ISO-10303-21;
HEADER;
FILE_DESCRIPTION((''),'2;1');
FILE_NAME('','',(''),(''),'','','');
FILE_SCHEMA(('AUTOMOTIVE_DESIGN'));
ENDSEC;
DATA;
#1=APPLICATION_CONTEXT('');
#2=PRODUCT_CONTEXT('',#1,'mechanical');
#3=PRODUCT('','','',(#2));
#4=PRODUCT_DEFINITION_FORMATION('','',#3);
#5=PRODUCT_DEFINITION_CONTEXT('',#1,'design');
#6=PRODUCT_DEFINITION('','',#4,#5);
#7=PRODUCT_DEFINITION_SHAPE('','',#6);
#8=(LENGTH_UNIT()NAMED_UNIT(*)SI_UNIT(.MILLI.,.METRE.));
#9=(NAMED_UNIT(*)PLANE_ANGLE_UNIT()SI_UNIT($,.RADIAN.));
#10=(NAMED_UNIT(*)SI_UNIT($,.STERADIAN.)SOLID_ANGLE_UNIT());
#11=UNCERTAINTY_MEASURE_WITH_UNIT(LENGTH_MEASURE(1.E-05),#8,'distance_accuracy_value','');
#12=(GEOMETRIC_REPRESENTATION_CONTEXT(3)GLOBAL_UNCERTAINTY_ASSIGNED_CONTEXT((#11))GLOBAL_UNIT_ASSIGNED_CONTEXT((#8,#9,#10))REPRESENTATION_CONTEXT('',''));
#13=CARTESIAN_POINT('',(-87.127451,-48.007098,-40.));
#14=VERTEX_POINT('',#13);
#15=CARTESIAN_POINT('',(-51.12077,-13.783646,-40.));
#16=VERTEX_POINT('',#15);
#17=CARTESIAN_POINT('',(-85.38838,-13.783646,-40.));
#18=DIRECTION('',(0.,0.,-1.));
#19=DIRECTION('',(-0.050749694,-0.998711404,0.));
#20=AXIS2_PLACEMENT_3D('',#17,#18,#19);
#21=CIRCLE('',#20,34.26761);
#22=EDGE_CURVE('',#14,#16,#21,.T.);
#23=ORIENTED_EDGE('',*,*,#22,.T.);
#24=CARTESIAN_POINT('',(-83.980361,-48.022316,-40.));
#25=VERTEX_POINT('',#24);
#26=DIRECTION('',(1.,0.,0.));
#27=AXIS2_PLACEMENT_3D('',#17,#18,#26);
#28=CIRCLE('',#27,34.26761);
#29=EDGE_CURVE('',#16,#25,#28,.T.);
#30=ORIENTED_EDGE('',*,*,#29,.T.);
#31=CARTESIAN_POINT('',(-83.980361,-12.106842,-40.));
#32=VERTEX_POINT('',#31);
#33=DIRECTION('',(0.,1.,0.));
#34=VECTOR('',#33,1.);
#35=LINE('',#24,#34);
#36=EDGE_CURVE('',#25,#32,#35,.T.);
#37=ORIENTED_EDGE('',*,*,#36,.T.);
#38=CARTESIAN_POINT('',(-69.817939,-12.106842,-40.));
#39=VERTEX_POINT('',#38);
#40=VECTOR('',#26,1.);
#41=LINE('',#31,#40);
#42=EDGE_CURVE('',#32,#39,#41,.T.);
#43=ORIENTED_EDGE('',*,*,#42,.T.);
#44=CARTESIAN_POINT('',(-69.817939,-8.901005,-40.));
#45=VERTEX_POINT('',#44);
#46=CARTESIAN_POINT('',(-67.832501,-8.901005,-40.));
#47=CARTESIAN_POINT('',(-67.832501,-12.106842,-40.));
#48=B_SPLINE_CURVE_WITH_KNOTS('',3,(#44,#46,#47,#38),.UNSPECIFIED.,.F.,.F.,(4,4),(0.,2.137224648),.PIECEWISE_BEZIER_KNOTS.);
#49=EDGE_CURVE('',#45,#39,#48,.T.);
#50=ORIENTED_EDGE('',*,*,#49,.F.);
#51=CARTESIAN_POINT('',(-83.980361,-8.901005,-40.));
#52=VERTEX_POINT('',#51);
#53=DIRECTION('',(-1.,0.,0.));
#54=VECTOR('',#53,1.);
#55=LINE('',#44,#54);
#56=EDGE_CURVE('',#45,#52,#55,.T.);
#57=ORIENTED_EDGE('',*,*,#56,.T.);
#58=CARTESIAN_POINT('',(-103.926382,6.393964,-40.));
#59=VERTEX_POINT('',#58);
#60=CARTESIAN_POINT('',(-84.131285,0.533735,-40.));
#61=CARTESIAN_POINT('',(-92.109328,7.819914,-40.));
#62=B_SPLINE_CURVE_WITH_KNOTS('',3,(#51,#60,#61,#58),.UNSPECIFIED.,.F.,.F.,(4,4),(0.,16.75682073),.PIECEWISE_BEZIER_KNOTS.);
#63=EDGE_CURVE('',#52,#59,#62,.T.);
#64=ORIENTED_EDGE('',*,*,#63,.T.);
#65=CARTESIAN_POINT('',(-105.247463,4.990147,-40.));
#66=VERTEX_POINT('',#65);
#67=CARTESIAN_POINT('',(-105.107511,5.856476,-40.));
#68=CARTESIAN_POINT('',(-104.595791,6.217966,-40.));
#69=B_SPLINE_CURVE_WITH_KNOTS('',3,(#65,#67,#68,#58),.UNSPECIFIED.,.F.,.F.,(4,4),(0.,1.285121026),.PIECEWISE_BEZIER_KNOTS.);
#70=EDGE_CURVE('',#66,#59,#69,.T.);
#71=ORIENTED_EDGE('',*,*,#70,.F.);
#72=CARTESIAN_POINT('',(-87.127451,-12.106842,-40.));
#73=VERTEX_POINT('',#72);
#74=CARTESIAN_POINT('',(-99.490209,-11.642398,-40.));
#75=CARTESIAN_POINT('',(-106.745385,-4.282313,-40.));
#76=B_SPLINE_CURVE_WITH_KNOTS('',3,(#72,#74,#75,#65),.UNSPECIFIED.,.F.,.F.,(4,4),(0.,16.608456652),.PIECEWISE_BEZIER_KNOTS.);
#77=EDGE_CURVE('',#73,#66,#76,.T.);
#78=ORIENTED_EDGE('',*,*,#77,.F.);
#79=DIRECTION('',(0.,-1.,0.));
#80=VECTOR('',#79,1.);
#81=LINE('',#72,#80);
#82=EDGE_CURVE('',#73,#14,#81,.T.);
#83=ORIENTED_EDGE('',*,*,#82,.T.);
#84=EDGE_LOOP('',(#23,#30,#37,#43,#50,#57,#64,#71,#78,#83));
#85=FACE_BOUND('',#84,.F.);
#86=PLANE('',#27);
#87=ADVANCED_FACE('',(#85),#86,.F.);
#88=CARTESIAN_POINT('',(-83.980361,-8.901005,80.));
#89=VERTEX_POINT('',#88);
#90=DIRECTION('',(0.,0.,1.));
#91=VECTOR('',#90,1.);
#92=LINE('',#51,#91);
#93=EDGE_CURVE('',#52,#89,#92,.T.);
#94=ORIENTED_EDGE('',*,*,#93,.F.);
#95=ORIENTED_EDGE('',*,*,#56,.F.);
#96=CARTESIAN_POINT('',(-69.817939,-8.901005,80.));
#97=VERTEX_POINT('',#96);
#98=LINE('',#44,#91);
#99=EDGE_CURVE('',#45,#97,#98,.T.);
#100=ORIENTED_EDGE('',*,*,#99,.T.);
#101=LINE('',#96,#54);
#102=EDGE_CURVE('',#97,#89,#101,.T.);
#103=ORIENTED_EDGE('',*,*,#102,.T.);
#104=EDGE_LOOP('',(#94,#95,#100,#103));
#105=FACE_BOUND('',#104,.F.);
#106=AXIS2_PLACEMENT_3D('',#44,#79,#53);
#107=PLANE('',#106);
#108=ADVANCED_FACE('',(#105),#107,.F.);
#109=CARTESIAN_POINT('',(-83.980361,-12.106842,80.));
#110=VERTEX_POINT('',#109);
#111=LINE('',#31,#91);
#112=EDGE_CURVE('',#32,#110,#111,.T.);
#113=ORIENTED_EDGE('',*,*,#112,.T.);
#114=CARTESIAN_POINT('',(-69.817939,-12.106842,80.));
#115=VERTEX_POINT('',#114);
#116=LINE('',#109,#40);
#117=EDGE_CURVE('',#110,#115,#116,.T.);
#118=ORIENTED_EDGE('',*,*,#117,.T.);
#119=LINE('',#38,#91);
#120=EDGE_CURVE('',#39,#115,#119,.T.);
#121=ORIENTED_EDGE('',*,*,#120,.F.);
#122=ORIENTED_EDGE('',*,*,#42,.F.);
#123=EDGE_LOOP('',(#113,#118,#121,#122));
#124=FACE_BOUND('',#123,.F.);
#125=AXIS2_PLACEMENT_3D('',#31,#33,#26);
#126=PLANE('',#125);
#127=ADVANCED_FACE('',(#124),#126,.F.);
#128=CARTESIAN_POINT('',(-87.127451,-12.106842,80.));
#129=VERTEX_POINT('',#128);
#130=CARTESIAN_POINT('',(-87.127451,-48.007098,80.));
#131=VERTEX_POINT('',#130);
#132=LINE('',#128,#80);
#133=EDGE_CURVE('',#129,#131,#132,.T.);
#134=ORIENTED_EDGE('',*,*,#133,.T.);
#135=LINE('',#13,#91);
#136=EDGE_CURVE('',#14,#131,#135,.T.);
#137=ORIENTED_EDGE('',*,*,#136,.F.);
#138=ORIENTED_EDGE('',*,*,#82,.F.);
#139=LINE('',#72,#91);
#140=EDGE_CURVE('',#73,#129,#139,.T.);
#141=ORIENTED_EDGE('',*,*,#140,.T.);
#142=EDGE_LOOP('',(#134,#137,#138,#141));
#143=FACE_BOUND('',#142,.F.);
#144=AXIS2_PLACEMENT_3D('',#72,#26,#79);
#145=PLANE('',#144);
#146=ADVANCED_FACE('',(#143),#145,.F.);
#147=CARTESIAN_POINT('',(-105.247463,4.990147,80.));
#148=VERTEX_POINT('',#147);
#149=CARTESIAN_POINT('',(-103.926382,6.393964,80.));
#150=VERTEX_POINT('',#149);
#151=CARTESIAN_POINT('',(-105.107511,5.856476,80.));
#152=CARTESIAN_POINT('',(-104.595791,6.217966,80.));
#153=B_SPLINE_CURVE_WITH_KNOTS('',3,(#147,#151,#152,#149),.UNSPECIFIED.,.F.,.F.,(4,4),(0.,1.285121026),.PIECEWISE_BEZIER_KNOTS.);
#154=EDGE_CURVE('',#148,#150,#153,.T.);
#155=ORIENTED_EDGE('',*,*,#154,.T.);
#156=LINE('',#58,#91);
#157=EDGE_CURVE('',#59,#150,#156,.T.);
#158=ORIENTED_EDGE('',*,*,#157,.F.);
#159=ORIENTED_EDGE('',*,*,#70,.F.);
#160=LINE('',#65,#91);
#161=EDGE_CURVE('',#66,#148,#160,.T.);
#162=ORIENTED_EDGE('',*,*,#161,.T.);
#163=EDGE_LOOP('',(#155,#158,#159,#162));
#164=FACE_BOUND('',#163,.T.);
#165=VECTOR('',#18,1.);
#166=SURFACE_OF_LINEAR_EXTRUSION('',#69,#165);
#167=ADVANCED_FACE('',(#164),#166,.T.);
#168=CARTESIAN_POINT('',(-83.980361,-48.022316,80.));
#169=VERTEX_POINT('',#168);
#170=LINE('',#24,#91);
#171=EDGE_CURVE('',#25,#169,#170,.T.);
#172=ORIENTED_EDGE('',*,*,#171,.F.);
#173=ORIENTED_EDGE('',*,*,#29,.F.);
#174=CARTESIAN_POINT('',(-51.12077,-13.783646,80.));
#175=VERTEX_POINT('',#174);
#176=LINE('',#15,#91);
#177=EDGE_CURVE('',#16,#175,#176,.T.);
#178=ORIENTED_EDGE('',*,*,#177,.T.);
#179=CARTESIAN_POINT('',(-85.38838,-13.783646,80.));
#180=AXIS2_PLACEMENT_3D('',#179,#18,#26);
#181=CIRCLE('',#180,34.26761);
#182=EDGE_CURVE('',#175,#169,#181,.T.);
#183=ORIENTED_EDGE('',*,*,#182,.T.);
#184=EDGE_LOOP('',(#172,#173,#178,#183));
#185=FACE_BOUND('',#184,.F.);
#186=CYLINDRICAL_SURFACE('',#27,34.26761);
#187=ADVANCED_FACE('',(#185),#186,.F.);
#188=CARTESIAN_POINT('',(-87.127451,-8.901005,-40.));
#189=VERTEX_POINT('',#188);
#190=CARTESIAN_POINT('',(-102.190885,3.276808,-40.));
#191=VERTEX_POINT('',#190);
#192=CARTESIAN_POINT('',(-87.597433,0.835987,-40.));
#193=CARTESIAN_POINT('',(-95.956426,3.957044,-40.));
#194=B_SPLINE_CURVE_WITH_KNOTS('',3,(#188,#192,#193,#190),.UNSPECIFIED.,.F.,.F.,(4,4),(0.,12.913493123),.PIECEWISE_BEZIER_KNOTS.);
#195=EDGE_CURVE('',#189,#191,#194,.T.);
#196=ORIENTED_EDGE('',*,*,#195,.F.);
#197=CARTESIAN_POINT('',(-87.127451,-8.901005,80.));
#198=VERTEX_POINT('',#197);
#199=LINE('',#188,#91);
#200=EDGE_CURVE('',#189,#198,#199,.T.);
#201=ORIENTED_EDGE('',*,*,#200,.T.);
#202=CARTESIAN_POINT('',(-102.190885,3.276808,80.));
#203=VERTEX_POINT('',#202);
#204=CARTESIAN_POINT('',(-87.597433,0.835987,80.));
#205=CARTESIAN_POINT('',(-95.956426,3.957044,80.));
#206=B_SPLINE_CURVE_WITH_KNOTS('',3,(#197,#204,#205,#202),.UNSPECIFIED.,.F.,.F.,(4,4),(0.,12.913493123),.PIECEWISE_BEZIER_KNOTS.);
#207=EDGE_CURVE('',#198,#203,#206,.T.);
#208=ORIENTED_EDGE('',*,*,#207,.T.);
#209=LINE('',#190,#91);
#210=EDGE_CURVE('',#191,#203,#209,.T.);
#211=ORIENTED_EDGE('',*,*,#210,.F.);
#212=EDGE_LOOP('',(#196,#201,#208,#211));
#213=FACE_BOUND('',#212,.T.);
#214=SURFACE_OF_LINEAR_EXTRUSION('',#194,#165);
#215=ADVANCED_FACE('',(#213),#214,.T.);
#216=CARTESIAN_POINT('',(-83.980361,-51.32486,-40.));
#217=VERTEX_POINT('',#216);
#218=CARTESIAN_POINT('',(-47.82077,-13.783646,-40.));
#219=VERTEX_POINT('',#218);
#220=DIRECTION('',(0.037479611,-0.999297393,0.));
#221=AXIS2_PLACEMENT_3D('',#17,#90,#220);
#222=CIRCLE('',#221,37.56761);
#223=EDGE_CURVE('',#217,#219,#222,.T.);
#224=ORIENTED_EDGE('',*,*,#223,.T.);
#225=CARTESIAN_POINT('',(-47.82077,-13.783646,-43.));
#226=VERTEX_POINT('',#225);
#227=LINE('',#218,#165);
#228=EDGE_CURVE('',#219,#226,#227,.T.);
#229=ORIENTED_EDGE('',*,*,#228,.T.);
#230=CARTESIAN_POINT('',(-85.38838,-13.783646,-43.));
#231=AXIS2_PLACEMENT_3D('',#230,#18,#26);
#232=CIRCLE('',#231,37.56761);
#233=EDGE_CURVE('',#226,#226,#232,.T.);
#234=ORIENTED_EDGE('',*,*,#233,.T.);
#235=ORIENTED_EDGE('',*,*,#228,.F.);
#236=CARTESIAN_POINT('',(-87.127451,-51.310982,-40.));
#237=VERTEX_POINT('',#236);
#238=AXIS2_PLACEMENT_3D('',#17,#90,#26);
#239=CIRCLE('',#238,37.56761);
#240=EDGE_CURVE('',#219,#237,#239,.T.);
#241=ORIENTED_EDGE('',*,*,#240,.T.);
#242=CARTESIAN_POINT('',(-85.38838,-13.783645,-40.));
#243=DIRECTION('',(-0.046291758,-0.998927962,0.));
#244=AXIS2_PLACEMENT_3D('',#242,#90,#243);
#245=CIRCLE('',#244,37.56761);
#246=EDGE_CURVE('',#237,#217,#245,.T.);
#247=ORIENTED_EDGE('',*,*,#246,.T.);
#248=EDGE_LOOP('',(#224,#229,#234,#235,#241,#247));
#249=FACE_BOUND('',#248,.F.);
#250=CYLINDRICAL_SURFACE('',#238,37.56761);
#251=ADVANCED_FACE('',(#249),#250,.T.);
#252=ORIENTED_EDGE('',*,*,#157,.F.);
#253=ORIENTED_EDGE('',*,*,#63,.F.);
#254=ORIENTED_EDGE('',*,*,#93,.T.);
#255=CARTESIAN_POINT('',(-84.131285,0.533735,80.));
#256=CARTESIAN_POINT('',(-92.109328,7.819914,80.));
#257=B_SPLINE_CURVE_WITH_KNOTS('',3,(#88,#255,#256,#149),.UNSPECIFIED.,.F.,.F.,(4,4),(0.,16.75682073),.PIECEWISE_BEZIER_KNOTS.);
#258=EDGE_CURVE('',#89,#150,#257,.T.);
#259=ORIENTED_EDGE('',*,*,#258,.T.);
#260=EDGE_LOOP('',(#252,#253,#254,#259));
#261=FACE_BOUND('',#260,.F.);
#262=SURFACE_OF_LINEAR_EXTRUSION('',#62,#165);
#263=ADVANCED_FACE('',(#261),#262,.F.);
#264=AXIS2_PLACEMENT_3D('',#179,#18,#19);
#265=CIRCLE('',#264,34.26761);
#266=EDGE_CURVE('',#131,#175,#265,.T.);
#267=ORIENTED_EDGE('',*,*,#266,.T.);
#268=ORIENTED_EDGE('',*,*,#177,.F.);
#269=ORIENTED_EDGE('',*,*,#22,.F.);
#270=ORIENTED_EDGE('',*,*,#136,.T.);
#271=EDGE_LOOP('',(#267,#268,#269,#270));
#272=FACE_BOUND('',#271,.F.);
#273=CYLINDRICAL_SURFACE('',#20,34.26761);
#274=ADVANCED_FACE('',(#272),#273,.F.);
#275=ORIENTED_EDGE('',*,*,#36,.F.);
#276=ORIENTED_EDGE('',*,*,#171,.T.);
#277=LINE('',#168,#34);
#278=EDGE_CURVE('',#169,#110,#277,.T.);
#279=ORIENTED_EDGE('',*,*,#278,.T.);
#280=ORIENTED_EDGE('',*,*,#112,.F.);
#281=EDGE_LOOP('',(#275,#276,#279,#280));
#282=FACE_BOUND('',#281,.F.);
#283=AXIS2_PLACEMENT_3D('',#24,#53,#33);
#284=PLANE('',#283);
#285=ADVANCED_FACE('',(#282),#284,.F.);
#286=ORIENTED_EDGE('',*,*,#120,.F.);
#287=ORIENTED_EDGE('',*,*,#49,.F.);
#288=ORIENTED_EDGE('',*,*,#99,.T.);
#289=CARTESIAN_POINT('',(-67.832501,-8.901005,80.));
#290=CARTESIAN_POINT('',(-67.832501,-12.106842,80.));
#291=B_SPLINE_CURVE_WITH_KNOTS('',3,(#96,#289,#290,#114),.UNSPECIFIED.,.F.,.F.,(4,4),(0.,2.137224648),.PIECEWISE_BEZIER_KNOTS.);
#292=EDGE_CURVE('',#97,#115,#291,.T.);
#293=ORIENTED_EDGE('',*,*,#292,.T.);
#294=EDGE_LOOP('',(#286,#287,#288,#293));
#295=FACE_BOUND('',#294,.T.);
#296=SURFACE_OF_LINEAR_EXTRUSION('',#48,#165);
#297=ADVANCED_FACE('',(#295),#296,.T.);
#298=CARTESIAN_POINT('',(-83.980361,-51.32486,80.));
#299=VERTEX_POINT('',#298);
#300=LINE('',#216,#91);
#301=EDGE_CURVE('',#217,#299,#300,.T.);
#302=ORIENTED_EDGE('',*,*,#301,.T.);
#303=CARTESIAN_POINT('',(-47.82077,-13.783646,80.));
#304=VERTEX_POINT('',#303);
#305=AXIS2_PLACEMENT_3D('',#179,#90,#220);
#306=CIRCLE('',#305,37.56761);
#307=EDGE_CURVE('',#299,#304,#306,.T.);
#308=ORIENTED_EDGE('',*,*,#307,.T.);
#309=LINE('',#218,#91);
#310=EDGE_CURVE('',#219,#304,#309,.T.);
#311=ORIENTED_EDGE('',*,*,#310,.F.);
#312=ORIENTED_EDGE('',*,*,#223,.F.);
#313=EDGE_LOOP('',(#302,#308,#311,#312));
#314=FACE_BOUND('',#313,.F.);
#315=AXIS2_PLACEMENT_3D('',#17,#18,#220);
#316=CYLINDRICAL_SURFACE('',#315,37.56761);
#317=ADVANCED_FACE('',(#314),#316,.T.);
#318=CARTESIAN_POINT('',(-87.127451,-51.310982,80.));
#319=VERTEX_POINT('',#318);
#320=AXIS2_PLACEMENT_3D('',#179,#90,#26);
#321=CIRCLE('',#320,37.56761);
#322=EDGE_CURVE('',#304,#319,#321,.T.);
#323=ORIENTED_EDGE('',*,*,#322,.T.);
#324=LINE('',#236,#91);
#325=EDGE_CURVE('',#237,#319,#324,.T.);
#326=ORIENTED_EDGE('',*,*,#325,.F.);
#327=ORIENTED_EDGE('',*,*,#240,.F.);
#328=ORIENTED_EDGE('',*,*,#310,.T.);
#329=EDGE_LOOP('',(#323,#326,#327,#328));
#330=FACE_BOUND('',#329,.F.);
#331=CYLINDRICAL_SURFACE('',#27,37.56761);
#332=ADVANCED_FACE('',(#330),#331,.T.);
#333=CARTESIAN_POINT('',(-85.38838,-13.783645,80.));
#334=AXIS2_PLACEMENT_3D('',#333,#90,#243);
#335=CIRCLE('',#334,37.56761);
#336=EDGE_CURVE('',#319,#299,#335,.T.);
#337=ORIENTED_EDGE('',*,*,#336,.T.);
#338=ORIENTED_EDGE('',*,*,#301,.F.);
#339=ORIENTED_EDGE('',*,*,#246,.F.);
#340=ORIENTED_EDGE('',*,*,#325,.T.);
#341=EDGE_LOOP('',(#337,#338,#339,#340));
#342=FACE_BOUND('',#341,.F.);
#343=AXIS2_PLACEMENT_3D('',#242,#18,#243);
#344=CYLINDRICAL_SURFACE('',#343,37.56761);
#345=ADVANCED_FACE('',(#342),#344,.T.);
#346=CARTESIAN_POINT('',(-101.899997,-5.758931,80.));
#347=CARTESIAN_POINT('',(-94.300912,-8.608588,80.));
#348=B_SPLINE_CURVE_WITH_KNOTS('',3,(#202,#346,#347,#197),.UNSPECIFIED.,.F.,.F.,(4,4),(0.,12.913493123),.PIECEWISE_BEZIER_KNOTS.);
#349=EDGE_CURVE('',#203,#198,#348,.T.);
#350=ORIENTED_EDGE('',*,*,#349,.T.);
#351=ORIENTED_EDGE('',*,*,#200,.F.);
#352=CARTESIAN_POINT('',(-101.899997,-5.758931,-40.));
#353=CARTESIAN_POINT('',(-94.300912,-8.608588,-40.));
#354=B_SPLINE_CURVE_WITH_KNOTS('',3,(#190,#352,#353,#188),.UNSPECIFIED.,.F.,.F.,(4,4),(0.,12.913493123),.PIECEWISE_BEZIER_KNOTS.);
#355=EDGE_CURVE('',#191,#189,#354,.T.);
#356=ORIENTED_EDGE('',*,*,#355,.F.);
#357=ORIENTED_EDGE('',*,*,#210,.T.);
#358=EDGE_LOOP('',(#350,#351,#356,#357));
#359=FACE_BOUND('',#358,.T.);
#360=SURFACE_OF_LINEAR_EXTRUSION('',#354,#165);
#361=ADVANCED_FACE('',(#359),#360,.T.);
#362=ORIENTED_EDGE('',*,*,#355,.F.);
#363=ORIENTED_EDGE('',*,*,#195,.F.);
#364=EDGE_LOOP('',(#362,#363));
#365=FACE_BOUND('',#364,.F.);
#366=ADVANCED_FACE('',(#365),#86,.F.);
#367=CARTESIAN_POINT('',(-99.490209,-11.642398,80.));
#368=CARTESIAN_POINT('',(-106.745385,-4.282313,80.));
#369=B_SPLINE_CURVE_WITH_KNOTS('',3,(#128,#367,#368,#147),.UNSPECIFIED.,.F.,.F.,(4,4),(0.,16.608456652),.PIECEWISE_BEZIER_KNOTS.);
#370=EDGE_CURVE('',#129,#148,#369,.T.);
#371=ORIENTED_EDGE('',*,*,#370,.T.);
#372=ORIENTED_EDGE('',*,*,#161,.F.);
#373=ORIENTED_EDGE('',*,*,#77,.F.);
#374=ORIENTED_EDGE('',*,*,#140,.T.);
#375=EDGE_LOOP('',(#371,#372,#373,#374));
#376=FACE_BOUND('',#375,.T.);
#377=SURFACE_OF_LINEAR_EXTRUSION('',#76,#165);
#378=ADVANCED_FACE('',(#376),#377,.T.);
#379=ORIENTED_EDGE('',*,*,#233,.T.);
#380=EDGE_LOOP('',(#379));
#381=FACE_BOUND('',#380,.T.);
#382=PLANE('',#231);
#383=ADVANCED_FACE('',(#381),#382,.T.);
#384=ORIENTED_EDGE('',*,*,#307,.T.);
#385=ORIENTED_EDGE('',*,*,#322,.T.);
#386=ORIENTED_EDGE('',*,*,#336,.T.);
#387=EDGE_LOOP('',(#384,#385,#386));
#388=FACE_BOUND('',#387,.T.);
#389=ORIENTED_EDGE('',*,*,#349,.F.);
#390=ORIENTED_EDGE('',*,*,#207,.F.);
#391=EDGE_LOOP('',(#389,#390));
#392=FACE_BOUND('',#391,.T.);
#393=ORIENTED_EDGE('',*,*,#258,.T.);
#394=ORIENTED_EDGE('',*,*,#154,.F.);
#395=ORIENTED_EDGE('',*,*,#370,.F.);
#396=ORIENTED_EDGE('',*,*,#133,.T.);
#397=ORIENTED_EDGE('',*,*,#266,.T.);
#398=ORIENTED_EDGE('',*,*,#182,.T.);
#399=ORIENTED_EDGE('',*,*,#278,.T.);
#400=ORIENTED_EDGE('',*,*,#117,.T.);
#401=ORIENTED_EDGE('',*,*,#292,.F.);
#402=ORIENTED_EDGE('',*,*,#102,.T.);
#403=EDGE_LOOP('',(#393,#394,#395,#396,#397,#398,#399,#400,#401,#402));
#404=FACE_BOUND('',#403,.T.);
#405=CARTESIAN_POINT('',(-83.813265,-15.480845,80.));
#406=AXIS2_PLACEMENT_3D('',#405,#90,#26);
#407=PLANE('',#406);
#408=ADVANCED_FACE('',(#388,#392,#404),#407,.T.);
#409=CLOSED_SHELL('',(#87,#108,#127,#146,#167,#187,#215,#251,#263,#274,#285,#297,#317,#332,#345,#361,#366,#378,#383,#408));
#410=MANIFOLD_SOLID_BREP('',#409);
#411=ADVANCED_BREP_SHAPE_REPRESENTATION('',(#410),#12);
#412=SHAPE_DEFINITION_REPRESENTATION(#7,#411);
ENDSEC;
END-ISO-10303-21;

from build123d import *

# Parameters (mm, degrees)
F1_DEPTH = 80
F2_R     = 25.0450733491
F3_DEPTH = 2
F4_SCALE = 1.5


with BuildPart() as f1:
    # F0 (on Top) → F1 (new body)
    with BuildSketch(Plane.XY):
        with BuildLine():
            ThreePointArc((-83.9803607371, -38.2521874792), (-66.8806784634, -30.5992095312), (-59.8739669949, -13.2247109851))
            ThreePointArc((-59.8739669949, -13.2247109851), (-102.2138217774, 4.8900960587), (-86.0784208338, -38.2429350617))
            Line((-86.0784208338, -38.2429350617), (-86.0784208338, -36.0403462646))
            ThreePointArc((-86.0784208338, -36.0403462646), (-100.6577068059, 3.3340255104), (-62.0739669949, -13.2247109851))
            ThreePointArc((-62.0739669949, -13.2247109851), (-68.4366014954, -29.0432629394), (-83.9803607371, -36.0504915177))
            Line((-83.9803607371, -36.0504915177), (-83.9803607371, -38.2521874792))
        make_face()
        with BuildLine():
            Line((-86.0784208338, -36.0403462646), (-86.0784208338, -38.2429350617))
            ThreePointArc((-86.0784208338, -38.2429350617), (-85.0294877149, -38.2695407997), (-83.9803607371, -38.2521874792))
            Line((-83.9803607371, -38.2521874792), (-83.9803607371, -36.0504915177))
            ThreePointArc((-83.9803607371, -36.0504915177), (-85.029507314, -36.0695172521), (-86.0784208338, -36.0403462646))
        make_face()
        with BuildLine():
            Line((-86.0784208338, -12.1068419315), (-86.0784208338, -36.0403462646))
            ThreePointArc((-86.0784208338, -36.0403462646), (-85.029507314, -36.0695172521), (-83.9803607371, -36.0504915177))
            Line((-83.9803607371, -36.0504915177), (-83.9803607371, -12.1068419315))
            Line((-83.9803607371, -12.1068419315), (-74.5387463539, -12.1068419315))
            add(Edge.make_bspline(
                [(-74.5387463539, -9.9696172834), (-73.2151210172, -9.9696172834), (-73.2151210172, -12.1068419315), (-74.5387463539, -12.1068419315)],
                knots=[0, 0, 0, 0, 2.1372246482, 2.1372246482, 2.1372246482, 2.1372246482], degree=3))
            Line((-74.5387463539, -9.9696172834), (-83.9803607371, -9.9696172834))
            add(Edge.make_bspline(
                [(-83.9803607371, -9.9696172834), (-84.0809768118, -3.6797905773), (-89.3996719456, 1.1776616923), (-97.2777081452, 0.2270288754)],
                knots=[0, 0, 0, 0, 16.75682073, 16.75682073, 16.75682073, 16.75682073], degree=3))
            add(Edge.make_bspline(
                [(-98.1584286764, -0.7088489999), (-98.0651277816, -0.131296323), (-97.7239810489, 0.1096969641), (-97.2777081452, 0.2270288754)],
                knots=[0, 0, 0, 0, 1.285121026, 1.285121026, 1.285121026, 1.285121026], degree=3))
            add(Edge.make_bspline(
                [(-86.0784208338, -12.1068419315), (-94.3202596093, -11.7972125657), (-99.1570433309, -6.8904892511), (-98.1584286764, -0.7088489999)],
                knots=[0, 0, 0, 0, 16.6084566517, 16.6084566517, 16.6084566517, 16.6084566517], degree=3))
        make_face()
        with BuildLine():
            add(Edge.make_bspline(
                [(-86.0784208338, -9.9696172834), (-86.3917425183, -3.4782894727), (-91.9644045086, -1.3975845126), (-96.120710429, -1.8510752765)],
                knots=[0, 0, 0, 0, 12.9134931227, 12.9134931227, 12.9134931227, 12.9134931227], degree=3))
            add(Edge.make_bspline(
                [(-96.120710429, -1.8510752765), (-95.9267848545, -7.8749013541), (-90.8607281187, -9.7746726897), (-86.0784208338, -9.9696172834)],
                knots=[0, 0, 0, 0, 12.9134931227, 12.9134931227, 12.9134931227, 12.9134931227], degree=3))
        make_face(mode=Mode.SUBTRACT)
    extrude(amount=F1_DEPTH)

    # F2 (on face) → F3 (join)
    with BuildSketch(Plane(origin=(0, 0, 0), x_dir=(1, 0, 0), z_dir=(0, 0, -1))):
        with Locations((-84.919040344, 13.2247109851)):
            Circle(F2_R)
    extrude(amount=F3_DEPTH)


with BuildPart() as f1_1:
    # F4: moved
    add(f1.part.scale(F4_SCALE).moved(Location((41.9901803686, 6.0534209658, -40))))


solid = f1_1.part
